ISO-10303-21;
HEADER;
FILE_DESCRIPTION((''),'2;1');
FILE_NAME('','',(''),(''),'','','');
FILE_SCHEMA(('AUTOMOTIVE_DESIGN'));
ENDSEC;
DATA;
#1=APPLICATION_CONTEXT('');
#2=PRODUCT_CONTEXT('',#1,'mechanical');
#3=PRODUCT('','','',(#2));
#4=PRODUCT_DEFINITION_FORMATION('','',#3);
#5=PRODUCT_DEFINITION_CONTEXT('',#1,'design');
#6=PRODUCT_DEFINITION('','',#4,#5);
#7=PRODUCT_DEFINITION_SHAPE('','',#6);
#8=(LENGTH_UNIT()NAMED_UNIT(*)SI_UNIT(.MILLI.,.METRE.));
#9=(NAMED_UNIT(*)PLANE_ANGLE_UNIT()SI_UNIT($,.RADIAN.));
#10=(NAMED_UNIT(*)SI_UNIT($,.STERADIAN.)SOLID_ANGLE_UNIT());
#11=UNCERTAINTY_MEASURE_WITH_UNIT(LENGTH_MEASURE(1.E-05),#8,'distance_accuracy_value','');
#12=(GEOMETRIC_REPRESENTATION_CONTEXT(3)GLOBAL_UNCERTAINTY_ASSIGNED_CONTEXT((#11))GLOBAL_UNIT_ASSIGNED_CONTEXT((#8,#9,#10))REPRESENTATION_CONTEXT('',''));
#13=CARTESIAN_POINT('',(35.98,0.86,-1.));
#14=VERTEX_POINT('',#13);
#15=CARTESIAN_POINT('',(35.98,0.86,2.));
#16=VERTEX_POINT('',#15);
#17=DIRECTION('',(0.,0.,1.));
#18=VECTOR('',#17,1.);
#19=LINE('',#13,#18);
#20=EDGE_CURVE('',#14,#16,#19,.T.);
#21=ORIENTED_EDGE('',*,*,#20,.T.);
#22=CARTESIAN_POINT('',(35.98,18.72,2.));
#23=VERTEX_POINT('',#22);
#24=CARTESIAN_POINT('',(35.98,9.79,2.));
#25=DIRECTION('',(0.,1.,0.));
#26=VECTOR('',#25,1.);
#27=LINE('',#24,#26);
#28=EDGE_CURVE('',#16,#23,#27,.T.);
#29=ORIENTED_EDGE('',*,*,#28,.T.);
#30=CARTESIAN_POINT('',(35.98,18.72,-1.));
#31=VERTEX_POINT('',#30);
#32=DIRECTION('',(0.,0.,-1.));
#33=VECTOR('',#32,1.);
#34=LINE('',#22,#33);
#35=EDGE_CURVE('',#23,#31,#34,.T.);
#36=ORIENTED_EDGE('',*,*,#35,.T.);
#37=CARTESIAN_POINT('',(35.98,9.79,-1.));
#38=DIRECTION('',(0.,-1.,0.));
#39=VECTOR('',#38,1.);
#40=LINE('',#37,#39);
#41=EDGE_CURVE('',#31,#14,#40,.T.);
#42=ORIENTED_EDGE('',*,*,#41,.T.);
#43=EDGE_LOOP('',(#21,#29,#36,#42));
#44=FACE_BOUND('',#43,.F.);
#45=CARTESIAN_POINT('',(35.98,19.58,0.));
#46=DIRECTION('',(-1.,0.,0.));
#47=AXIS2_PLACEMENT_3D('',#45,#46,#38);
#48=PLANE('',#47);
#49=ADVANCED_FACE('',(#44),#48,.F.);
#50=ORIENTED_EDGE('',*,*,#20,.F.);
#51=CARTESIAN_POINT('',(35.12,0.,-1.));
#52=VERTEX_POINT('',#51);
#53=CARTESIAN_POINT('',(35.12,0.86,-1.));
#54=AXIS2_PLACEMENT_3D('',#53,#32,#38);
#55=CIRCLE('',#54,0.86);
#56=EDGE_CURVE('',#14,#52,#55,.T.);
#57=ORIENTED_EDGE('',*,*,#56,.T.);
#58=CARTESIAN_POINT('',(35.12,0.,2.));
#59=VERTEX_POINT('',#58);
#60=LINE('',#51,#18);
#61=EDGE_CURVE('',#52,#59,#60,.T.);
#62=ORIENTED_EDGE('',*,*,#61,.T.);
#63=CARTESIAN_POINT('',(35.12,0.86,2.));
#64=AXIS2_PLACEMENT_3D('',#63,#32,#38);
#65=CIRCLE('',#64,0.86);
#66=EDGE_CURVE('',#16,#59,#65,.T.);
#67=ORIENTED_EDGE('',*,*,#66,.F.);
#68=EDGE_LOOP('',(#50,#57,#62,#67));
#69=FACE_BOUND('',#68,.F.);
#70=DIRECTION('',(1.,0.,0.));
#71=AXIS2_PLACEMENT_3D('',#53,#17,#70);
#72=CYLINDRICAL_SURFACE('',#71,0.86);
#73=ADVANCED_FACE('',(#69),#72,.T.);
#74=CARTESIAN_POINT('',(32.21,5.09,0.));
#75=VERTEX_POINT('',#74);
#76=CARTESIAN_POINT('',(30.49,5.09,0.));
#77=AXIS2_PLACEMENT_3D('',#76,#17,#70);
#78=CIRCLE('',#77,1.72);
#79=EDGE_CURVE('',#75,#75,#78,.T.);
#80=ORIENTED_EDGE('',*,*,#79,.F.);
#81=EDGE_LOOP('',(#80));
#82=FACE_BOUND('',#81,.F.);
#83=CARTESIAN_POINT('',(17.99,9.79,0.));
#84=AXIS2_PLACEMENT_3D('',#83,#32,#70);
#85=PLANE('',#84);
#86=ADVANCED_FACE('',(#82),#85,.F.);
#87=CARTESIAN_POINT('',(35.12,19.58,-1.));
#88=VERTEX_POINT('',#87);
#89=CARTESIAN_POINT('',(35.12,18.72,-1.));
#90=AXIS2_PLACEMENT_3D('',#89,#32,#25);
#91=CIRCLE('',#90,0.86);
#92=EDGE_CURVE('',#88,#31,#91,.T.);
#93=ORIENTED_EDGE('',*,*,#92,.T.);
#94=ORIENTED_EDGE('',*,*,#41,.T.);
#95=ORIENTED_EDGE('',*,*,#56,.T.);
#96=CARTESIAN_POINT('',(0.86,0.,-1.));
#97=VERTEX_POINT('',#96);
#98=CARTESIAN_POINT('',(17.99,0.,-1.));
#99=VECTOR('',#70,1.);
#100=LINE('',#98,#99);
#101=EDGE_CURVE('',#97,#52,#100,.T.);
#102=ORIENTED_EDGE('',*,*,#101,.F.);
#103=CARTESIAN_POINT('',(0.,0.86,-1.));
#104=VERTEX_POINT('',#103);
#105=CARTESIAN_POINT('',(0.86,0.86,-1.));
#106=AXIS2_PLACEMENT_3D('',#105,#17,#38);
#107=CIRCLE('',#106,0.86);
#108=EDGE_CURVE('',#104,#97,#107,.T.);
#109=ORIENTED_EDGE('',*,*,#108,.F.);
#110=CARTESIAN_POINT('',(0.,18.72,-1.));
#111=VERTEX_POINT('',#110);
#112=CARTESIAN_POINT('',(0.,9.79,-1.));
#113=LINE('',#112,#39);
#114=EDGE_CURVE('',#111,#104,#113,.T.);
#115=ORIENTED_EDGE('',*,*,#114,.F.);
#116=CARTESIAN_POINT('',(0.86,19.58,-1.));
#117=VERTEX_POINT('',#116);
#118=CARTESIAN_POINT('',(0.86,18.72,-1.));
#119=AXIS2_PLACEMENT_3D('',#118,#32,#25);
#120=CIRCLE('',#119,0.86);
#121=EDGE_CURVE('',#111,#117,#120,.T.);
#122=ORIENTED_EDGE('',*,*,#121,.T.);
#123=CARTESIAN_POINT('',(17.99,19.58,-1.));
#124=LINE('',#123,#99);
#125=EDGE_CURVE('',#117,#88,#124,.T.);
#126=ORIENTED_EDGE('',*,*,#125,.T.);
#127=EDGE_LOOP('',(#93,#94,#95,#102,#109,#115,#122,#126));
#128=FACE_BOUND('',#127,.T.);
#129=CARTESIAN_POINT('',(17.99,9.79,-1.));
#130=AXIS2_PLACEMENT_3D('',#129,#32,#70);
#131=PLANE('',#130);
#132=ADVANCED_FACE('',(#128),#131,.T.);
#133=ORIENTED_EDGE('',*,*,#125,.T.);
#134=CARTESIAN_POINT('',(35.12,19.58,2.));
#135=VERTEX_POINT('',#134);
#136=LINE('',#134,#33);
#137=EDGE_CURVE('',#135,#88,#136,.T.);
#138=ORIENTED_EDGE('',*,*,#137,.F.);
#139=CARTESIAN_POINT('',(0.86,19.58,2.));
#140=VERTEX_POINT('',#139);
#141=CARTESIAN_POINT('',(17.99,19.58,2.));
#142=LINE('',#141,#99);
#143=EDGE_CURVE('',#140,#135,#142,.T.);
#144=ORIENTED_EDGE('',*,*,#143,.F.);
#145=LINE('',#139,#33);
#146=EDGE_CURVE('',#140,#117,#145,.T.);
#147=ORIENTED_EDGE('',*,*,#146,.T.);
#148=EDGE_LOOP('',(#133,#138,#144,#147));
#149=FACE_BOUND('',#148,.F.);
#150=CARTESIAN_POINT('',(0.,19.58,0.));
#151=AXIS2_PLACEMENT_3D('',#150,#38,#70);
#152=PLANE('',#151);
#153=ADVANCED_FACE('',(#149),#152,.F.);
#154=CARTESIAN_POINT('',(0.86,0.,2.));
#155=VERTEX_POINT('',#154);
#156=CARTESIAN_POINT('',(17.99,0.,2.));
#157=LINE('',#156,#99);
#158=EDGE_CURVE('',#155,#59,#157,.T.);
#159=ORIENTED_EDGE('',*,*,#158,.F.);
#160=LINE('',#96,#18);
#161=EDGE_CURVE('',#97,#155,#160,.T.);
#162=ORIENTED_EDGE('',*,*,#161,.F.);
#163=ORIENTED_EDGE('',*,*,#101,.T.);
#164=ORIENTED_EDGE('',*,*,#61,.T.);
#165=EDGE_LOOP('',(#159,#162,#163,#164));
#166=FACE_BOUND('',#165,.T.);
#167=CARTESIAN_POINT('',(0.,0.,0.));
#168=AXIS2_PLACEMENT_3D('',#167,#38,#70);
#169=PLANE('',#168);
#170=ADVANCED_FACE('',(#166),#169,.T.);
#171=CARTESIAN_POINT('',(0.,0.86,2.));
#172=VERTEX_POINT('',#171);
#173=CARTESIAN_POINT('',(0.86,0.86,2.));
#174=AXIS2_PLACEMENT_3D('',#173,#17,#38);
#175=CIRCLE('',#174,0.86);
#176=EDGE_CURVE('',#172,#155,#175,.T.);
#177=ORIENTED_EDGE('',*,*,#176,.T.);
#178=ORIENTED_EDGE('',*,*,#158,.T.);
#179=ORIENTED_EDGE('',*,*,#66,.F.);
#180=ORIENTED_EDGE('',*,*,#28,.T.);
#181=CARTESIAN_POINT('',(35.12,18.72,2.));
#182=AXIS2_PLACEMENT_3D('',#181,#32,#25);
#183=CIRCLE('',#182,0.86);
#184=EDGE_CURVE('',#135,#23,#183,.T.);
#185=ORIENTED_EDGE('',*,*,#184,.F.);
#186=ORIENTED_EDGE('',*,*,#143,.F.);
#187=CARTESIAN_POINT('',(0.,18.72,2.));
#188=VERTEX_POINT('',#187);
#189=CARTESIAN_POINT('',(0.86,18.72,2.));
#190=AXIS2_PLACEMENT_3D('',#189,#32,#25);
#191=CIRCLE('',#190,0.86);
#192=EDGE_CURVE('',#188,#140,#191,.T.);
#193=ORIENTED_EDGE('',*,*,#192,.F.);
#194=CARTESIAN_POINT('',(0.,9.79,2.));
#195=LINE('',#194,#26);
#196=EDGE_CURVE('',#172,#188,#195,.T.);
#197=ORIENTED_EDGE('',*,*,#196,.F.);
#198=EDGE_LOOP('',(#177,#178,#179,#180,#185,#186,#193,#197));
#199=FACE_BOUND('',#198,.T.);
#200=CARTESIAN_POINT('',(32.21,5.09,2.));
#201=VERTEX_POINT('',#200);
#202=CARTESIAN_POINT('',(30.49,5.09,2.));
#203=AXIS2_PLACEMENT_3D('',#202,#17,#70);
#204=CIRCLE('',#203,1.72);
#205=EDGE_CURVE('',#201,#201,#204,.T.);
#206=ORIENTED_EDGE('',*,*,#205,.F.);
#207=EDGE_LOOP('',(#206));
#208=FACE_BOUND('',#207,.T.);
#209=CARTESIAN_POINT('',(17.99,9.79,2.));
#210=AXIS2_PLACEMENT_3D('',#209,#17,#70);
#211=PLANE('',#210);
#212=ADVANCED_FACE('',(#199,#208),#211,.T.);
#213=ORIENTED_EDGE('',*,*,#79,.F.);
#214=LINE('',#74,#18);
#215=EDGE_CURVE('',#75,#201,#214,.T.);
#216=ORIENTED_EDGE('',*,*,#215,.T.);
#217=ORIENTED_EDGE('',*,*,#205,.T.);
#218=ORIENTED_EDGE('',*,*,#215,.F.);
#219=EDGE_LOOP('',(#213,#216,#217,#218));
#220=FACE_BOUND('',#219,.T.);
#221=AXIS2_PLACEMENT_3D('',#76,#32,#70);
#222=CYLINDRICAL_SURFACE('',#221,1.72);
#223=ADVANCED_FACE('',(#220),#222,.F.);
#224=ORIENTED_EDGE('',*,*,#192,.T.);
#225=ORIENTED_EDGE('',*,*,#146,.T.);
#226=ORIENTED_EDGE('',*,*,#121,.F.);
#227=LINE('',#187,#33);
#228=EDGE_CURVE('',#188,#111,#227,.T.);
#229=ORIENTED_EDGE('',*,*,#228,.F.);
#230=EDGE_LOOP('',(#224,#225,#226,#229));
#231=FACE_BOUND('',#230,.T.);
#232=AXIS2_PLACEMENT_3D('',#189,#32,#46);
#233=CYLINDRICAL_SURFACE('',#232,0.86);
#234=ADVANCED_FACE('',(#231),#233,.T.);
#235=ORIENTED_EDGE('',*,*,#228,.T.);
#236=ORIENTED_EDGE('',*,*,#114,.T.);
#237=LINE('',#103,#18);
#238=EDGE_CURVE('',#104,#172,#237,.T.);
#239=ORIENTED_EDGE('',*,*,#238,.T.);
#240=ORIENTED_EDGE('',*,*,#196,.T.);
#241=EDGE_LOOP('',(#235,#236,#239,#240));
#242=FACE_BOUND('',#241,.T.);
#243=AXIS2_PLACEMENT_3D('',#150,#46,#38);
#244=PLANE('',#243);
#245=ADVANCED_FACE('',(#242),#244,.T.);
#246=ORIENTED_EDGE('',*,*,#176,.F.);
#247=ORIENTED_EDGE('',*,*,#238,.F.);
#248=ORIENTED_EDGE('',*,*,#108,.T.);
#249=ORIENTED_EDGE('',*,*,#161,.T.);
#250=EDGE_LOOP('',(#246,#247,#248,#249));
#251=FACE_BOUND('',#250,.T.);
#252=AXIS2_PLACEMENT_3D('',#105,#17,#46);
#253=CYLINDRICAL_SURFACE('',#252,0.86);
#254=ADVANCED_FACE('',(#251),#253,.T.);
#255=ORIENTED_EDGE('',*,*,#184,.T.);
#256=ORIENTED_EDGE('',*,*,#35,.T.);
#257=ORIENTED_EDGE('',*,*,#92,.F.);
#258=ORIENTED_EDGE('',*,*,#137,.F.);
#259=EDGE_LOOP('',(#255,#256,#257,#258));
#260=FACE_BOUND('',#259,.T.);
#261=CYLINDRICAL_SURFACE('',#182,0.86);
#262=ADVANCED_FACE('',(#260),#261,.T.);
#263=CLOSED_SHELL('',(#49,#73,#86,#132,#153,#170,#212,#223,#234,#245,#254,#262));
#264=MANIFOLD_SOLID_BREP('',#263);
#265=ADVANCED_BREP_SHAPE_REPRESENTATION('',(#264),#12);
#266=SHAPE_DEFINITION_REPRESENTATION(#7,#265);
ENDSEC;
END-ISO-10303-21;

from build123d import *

# Parameters (mm, degrees)
SKETCH_W     = 35.98
SKETCH_H     = 19.58
SKETCH_R     = 1.72
PAD_DEPTH    = 2
SKETCH001_W  = 35.98
SKETCH001_H  = 19.58
PAD001_DEPTH = 1
FILLET_R     = 0.86


with BuildPart() as part:
    # Sketch → Pad (new body)
    with BuildSketch(Plane.XY):
        with Locations((17.99, 9.79)):
            Rectangle(SKETCH_W, SKETCH_H)
        with Locations((30.49, 5.09)):
            Circle(SKETCH_R, mode=Mode.SUBTRACT)
    extrude(amount=PAD_DEPTH)

    # Sketch001 (on Face6 of Pad) → Pad001 (join)
    with BuildSketch(Plane(origin=(0, 0, 0), x_dir=(1, 0, 0), z_dir=(0, 0, -1))):
        with Locations((17.99, -9.79)):
            Rectangle(SKETCH001_W, SKETCH001_H)
    extrude(amount=PAD001_DEPTH)

    # Fillet
    fillet_edges = [part.edges().sort_by_distance(p)[0] for p in [
        (0, 0, 0.5),
        (0, 19.58, 0.5),
        (35.98, 19.58, 0.5),
        (35.98, 0, 0.5),
    ]]
    fillet(fillet_edges, radius=FILLET_R)


solid = part.part
